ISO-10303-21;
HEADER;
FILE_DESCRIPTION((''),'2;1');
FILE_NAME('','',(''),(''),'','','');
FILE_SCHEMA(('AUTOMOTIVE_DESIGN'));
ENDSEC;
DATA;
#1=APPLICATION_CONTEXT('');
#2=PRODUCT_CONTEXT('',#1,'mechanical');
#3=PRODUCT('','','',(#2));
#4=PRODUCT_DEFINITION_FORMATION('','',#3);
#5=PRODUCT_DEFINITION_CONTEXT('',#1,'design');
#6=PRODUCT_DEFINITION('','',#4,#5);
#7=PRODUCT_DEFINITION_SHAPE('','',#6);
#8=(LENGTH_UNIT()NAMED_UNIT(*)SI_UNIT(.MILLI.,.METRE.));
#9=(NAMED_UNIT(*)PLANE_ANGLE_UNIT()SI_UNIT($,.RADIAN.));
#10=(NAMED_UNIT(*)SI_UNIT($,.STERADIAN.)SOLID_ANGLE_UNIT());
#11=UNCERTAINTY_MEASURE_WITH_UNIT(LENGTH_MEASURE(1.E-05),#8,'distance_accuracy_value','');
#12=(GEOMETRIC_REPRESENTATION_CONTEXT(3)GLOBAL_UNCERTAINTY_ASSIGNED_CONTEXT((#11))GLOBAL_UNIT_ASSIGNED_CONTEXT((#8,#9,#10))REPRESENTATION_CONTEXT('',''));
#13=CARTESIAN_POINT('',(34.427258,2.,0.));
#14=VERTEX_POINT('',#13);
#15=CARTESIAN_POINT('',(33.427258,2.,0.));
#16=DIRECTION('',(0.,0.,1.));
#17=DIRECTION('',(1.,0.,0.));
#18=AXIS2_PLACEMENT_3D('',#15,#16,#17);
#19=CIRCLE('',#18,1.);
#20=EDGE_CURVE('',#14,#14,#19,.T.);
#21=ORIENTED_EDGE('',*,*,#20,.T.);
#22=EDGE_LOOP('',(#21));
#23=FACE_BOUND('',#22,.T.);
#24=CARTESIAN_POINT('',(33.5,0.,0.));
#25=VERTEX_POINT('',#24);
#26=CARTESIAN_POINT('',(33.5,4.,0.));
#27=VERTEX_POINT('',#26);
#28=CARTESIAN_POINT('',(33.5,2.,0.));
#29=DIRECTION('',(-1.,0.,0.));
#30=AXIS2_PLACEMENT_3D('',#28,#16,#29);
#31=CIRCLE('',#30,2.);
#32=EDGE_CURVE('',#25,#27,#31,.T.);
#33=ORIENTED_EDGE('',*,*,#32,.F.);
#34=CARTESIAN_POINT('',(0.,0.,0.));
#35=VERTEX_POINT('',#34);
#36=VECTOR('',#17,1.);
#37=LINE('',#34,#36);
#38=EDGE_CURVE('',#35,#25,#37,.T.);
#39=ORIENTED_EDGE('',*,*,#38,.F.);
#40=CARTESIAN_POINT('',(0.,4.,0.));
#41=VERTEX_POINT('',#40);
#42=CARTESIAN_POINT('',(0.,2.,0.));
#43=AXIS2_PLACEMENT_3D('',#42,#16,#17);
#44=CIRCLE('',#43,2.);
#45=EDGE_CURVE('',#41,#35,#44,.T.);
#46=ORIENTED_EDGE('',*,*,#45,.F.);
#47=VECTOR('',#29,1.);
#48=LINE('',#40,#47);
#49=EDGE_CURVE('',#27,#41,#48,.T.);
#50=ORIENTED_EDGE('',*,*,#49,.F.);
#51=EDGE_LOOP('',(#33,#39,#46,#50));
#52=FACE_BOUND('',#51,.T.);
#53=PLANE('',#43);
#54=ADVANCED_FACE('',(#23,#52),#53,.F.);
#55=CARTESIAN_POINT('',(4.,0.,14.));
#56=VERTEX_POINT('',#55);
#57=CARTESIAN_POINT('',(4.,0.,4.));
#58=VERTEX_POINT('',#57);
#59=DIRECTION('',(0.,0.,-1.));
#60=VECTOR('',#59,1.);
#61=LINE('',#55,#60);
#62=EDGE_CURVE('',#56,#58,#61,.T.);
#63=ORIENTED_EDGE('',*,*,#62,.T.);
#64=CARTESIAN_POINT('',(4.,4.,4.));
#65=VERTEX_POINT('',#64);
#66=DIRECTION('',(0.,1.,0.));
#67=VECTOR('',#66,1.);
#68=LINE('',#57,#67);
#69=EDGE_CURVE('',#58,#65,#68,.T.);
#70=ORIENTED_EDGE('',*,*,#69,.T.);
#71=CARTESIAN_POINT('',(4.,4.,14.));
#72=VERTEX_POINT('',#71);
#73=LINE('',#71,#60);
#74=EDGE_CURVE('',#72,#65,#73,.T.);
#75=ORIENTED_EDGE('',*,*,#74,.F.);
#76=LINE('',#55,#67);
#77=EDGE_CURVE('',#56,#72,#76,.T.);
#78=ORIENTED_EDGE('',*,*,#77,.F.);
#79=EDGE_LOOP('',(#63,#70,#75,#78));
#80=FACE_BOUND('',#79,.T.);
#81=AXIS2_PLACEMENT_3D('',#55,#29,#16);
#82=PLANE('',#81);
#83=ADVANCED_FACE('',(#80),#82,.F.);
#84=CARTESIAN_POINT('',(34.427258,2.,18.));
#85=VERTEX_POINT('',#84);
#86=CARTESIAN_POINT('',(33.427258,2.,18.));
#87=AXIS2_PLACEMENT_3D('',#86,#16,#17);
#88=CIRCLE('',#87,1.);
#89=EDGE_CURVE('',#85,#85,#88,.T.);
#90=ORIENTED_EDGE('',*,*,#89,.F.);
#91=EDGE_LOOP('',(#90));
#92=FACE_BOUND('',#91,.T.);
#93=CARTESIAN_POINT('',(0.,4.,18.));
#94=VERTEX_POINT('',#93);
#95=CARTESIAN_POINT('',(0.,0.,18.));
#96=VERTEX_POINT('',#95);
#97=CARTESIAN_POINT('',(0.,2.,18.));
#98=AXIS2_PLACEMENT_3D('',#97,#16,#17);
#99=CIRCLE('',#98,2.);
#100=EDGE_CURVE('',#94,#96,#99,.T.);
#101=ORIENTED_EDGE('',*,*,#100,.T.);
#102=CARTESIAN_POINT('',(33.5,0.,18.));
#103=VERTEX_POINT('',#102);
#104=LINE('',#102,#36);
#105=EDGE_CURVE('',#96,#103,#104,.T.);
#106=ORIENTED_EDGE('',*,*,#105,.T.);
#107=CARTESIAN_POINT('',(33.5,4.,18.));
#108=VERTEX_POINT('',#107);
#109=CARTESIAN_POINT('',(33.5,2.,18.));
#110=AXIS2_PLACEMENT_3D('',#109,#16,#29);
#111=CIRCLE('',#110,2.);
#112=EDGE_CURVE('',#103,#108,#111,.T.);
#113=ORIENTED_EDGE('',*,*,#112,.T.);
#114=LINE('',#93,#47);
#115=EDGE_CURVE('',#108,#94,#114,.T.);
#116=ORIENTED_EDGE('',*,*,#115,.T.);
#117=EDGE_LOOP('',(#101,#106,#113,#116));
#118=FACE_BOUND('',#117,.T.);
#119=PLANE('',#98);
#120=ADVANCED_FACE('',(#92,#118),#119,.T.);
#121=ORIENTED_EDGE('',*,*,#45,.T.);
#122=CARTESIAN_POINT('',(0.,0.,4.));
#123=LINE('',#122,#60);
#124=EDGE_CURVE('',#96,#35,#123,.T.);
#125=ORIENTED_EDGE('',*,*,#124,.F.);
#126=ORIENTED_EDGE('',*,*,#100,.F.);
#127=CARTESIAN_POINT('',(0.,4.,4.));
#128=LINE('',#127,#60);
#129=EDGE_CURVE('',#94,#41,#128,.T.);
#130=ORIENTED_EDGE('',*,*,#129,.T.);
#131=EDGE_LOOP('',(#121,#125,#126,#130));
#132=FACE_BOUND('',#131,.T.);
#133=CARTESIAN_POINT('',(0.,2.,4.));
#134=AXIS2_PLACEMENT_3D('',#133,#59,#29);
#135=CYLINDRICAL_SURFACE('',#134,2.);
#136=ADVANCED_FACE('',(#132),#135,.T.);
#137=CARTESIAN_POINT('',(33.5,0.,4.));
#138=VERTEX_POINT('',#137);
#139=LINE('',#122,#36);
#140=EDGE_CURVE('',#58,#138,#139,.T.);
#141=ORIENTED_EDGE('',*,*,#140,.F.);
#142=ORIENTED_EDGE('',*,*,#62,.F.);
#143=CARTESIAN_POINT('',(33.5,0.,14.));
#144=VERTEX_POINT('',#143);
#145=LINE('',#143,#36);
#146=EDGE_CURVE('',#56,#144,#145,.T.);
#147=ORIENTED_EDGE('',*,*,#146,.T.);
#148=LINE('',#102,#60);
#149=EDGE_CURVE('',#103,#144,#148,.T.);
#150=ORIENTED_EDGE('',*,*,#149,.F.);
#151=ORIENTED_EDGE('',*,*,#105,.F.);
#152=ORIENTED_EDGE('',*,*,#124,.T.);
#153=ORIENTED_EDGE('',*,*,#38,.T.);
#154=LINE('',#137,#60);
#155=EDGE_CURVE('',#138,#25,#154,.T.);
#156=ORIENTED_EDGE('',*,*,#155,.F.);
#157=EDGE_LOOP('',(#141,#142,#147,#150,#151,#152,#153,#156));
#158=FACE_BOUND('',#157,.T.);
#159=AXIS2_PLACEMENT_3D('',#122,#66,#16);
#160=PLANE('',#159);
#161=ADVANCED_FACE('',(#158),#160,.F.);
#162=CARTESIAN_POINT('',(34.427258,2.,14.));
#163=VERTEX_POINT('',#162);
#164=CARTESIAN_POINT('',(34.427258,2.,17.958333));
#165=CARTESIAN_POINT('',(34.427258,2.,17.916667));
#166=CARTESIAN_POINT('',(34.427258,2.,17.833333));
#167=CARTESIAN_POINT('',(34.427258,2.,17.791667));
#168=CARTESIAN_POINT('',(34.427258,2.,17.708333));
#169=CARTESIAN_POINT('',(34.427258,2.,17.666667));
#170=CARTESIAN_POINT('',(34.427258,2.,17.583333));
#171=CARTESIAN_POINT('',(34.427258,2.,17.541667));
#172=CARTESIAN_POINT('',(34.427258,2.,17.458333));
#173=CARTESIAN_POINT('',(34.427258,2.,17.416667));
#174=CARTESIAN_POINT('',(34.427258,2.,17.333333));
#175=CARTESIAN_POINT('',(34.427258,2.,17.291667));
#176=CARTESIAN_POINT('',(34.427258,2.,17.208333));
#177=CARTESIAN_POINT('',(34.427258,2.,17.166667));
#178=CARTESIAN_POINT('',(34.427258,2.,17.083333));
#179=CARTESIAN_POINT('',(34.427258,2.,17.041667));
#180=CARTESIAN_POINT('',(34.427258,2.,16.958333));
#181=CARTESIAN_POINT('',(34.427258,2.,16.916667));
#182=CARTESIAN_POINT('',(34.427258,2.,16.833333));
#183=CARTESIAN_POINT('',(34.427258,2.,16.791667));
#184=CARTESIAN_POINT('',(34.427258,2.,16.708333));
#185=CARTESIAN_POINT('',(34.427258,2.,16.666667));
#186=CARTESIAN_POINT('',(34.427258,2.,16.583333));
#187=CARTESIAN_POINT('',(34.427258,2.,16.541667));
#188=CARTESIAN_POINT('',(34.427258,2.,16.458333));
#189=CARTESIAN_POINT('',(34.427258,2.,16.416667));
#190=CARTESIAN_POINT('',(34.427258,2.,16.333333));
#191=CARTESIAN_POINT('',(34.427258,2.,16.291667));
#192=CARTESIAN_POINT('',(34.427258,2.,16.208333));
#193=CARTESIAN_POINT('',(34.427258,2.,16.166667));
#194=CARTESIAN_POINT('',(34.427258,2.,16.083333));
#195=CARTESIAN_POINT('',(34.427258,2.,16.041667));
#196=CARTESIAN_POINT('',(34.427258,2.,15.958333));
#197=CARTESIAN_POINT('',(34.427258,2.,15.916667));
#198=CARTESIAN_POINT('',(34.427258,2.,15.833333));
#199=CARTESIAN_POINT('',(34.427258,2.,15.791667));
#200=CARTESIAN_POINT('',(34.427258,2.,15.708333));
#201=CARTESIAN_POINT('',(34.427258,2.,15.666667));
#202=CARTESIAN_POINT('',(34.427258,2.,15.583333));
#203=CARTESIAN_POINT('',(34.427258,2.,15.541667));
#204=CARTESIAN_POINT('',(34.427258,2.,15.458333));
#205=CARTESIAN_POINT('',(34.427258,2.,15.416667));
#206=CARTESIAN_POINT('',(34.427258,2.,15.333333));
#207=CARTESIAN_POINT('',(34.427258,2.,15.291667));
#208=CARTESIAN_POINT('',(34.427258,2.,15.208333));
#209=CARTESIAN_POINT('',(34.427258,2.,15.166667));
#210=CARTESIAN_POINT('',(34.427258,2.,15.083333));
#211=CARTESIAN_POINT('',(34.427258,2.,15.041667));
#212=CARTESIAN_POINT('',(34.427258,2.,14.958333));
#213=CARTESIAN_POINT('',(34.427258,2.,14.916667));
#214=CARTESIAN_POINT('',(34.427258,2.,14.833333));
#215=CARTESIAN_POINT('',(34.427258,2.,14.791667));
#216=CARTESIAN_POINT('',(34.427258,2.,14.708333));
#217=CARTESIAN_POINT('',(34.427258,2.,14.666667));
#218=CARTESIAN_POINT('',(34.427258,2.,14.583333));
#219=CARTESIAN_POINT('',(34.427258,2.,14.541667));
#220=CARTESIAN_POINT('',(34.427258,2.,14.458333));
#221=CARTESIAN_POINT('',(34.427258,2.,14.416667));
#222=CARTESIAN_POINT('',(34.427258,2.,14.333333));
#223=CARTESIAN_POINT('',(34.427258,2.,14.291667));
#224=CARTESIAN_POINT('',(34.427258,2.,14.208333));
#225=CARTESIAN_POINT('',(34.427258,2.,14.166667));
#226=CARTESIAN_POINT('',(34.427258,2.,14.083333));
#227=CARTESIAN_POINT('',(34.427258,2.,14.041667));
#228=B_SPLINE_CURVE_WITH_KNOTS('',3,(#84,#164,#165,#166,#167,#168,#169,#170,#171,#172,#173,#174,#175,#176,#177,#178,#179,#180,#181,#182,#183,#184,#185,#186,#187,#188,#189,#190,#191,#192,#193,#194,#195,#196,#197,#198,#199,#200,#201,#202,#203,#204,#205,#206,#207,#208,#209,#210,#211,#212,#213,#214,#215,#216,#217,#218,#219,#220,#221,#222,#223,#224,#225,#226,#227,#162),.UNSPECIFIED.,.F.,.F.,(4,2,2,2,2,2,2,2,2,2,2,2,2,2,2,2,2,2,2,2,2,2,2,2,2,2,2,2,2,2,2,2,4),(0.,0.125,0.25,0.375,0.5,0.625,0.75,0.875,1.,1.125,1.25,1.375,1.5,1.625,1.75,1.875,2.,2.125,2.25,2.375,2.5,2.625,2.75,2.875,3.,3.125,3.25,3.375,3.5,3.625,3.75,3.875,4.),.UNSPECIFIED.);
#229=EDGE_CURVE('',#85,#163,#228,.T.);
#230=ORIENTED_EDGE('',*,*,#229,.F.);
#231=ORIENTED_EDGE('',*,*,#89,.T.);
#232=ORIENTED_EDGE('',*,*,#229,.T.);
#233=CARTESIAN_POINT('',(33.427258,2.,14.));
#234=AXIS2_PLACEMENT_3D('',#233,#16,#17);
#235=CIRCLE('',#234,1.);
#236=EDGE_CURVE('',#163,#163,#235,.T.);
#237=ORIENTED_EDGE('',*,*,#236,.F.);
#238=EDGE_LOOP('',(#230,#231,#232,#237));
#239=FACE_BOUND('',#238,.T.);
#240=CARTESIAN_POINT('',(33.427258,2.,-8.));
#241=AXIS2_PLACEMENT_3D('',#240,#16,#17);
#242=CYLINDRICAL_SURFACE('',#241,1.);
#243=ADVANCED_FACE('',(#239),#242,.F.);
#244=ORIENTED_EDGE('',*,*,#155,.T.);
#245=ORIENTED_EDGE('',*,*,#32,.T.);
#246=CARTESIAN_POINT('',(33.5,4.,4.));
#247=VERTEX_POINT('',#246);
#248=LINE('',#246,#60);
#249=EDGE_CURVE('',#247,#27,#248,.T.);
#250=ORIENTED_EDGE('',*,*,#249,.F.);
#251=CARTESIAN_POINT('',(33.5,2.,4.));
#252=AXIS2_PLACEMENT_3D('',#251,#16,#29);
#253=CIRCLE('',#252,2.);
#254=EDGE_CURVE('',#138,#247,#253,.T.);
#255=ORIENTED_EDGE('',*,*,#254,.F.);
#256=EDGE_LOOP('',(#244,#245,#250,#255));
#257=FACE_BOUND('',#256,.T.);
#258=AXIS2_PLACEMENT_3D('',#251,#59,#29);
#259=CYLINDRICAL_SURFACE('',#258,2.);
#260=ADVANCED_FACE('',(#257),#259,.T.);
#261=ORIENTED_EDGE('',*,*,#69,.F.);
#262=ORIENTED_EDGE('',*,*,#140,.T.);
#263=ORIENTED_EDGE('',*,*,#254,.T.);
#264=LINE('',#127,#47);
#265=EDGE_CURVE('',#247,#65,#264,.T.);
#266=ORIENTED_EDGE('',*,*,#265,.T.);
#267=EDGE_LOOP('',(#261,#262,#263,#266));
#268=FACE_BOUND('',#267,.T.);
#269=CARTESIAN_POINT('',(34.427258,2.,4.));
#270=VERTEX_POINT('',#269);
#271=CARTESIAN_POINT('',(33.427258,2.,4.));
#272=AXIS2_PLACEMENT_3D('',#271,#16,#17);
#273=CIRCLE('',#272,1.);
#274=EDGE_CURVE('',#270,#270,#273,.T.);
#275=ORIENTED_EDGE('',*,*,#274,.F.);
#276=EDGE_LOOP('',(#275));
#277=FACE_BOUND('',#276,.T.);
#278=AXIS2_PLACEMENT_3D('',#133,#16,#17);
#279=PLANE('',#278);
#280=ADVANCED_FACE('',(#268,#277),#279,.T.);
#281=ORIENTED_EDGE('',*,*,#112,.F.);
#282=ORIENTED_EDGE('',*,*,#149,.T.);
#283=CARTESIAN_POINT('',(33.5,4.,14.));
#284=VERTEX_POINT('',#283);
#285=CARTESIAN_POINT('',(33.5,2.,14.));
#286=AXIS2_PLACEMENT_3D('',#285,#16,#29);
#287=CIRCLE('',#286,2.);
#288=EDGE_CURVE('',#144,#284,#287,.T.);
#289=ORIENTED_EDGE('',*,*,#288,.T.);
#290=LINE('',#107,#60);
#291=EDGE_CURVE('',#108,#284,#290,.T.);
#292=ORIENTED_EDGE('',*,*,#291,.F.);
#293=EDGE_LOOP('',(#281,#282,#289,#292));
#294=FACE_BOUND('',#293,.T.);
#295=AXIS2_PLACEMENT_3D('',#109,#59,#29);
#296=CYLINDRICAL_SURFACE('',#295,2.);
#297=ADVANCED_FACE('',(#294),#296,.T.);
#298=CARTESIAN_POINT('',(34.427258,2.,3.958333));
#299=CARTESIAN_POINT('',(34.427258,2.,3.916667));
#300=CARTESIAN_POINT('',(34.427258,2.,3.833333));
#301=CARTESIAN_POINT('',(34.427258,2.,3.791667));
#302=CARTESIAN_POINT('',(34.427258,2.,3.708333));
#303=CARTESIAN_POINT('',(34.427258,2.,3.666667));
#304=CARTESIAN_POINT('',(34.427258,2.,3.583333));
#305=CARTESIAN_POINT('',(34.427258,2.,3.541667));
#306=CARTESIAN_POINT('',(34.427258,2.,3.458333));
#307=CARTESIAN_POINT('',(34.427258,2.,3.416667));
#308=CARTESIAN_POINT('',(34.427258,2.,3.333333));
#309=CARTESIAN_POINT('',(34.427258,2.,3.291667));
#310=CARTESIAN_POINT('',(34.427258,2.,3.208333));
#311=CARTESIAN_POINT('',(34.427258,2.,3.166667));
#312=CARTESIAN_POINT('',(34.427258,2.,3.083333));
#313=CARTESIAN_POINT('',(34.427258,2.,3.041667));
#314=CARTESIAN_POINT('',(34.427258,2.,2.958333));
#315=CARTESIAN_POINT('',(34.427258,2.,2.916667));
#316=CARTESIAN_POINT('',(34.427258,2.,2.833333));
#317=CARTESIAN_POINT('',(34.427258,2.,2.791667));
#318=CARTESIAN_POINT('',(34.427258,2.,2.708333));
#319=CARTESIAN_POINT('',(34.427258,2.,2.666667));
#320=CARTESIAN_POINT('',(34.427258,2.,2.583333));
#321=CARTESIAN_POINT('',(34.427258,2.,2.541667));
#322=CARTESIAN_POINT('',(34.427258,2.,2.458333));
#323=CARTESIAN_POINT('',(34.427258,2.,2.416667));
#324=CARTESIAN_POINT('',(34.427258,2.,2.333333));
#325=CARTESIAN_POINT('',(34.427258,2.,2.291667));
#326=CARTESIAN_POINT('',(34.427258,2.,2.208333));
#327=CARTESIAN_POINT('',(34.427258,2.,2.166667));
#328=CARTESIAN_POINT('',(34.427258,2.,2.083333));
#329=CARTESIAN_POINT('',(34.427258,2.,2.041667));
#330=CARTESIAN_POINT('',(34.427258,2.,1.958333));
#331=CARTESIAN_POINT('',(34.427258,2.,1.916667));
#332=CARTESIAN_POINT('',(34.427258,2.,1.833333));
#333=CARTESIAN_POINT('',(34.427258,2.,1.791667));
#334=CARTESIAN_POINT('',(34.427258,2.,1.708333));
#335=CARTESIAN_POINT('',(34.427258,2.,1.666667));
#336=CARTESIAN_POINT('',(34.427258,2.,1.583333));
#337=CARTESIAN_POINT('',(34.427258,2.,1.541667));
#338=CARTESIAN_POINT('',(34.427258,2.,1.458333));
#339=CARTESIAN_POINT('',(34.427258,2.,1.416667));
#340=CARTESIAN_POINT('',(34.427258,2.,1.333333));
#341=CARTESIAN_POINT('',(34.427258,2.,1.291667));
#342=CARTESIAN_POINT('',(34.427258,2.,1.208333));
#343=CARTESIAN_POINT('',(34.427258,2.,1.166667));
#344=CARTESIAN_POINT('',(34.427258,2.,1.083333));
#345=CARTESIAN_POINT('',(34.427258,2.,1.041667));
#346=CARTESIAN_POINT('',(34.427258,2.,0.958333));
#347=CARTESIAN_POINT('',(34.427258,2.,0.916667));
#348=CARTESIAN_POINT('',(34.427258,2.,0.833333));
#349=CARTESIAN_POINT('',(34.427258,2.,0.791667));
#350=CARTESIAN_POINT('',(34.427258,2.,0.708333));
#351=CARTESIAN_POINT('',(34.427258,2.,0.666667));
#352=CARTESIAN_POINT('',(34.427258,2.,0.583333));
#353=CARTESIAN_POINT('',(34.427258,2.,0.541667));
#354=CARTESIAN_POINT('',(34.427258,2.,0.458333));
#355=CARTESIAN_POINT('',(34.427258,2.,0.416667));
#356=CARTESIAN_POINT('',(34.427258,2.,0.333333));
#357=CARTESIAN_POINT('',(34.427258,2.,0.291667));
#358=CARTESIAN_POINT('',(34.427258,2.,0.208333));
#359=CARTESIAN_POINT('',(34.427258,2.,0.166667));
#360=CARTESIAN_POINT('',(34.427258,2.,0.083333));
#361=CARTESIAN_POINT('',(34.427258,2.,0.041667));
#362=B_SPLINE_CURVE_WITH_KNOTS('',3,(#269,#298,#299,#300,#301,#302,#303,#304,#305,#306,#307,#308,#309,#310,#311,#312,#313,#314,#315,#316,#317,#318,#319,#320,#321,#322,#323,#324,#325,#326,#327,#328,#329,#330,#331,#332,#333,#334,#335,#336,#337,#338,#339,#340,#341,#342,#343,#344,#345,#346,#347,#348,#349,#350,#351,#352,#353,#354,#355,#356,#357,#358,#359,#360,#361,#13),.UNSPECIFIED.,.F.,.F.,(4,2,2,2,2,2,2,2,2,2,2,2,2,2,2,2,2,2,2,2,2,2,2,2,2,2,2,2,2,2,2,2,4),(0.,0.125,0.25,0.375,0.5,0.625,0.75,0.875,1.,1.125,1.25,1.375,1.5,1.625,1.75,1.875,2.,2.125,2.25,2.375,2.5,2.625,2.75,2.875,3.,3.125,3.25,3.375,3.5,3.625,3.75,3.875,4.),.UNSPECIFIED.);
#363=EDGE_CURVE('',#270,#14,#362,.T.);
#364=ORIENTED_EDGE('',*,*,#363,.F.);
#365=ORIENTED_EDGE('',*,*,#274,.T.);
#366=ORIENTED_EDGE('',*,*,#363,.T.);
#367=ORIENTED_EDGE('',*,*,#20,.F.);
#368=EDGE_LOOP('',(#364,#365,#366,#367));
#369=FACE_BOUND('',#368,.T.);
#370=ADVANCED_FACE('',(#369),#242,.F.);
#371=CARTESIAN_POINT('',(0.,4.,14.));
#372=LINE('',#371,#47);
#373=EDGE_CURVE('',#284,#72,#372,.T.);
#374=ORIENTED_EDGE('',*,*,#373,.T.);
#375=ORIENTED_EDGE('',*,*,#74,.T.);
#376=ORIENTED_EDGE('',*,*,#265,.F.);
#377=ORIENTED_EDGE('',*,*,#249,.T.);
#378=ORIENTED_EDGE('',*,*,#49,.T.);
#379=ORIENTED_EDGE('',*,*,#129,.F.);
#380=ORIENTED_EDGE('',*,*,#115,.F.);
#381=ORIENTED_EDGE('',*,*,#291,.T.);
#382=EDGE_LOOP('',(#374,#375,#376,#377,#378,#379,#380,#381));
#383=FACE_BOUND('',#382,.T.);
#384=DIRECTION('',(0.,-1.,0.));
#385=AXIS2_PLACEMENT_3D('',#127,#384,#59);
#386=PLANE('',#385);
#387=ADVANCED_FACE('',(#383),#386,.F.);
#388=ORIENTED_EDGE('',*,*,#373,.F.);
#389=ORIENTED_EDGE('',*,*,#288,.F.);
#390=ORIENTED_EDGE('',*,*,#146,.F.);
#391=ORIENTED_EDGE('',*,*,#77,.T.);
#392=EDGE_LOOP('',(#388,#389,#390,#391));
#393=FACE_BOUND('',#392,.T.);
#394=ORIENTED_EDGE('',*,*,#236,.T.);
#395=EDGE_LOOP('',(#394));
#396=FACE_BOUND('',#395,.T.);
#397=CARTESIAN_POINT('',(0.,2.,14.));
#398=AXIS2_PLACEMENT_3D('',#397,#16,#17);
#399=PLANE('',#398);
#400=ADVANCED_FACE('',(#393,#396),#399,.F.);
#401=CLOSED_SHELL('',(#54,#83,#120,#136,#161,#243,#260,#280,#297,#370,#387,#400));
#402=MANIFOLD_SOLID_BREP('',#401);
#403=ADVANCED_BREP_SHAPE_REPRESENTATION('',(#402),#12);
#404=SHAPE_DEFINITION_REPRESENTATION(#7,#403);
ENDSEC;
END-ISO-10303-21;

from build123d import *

# Parameters (mm, degrees)
BOSS_EXTRUDE1_DEPTH = 4
BOSS_EXTRUDE2_DEPTH = 10
BOSS_EXTRUDE3_DEPTH = 4
SKETCH4_R           = 1
CUT_EXTRUDE4_DEPTH  = 26


with BuildPart() as part:
    # Sketch1 → Boss-Extrude1 (new body)
    with BuildSketch(Plane.XY):
        with BuildLine():
            Line((0, 0), (33.5, 0))
            ThreePointArc((33.5, 0), (35.5, 2), (33.5, 4))
            Line((33.5, 4), (0, 4))
            ThreePointArc((0, 4), (-2, 2), (0, 0))
        make_face()
    extrude(amount=BOSS_EXTRUDE1_DEPTH)

    # Sketch2 → Boss-Extrude2 (add)
    with BuildSketch(Plane.XY.offset(4)):
        with BuildLine():
            Line((4, 0), (0, 0))
            ThreePointArc((0, 0), (-2, 2), (0, 4))
            Line((0, 4), (4, 4))
            Line((4, 4), (4, 0))
        make_face()
    extrude(amount=BOSS_EXTRUDE2_DEPTH)

    # Sketch3 → Boss-Extrude3 (add)
    with BuildSketch(Plane.XY.offset(14)):
        with BuildLine():
            Line((0, 4), (33.5, 4))
            ThreePointArc((33.5, 4), (35.5, 2), (33.5, 0))
            Line((33.5, 0), (0, 0))
            ThreePointArc((0, 0), (-2, 2), (0, 4))
        make_face()
    extrude(amount=BOSS_EXTRUDE3_DEPTH)

    # Sketch4 → Cut-Extrude4 (cut)
    with BuildSketch(Plane.XY.offset(18)):
        with Locations((33.427257806, 2)):
            Circle(SKETCH4_R)
    extrude(amount=-CUT_EXTRUDE4_DEPTH, mode=Mode.SUBTRACT)


solid = part.part
